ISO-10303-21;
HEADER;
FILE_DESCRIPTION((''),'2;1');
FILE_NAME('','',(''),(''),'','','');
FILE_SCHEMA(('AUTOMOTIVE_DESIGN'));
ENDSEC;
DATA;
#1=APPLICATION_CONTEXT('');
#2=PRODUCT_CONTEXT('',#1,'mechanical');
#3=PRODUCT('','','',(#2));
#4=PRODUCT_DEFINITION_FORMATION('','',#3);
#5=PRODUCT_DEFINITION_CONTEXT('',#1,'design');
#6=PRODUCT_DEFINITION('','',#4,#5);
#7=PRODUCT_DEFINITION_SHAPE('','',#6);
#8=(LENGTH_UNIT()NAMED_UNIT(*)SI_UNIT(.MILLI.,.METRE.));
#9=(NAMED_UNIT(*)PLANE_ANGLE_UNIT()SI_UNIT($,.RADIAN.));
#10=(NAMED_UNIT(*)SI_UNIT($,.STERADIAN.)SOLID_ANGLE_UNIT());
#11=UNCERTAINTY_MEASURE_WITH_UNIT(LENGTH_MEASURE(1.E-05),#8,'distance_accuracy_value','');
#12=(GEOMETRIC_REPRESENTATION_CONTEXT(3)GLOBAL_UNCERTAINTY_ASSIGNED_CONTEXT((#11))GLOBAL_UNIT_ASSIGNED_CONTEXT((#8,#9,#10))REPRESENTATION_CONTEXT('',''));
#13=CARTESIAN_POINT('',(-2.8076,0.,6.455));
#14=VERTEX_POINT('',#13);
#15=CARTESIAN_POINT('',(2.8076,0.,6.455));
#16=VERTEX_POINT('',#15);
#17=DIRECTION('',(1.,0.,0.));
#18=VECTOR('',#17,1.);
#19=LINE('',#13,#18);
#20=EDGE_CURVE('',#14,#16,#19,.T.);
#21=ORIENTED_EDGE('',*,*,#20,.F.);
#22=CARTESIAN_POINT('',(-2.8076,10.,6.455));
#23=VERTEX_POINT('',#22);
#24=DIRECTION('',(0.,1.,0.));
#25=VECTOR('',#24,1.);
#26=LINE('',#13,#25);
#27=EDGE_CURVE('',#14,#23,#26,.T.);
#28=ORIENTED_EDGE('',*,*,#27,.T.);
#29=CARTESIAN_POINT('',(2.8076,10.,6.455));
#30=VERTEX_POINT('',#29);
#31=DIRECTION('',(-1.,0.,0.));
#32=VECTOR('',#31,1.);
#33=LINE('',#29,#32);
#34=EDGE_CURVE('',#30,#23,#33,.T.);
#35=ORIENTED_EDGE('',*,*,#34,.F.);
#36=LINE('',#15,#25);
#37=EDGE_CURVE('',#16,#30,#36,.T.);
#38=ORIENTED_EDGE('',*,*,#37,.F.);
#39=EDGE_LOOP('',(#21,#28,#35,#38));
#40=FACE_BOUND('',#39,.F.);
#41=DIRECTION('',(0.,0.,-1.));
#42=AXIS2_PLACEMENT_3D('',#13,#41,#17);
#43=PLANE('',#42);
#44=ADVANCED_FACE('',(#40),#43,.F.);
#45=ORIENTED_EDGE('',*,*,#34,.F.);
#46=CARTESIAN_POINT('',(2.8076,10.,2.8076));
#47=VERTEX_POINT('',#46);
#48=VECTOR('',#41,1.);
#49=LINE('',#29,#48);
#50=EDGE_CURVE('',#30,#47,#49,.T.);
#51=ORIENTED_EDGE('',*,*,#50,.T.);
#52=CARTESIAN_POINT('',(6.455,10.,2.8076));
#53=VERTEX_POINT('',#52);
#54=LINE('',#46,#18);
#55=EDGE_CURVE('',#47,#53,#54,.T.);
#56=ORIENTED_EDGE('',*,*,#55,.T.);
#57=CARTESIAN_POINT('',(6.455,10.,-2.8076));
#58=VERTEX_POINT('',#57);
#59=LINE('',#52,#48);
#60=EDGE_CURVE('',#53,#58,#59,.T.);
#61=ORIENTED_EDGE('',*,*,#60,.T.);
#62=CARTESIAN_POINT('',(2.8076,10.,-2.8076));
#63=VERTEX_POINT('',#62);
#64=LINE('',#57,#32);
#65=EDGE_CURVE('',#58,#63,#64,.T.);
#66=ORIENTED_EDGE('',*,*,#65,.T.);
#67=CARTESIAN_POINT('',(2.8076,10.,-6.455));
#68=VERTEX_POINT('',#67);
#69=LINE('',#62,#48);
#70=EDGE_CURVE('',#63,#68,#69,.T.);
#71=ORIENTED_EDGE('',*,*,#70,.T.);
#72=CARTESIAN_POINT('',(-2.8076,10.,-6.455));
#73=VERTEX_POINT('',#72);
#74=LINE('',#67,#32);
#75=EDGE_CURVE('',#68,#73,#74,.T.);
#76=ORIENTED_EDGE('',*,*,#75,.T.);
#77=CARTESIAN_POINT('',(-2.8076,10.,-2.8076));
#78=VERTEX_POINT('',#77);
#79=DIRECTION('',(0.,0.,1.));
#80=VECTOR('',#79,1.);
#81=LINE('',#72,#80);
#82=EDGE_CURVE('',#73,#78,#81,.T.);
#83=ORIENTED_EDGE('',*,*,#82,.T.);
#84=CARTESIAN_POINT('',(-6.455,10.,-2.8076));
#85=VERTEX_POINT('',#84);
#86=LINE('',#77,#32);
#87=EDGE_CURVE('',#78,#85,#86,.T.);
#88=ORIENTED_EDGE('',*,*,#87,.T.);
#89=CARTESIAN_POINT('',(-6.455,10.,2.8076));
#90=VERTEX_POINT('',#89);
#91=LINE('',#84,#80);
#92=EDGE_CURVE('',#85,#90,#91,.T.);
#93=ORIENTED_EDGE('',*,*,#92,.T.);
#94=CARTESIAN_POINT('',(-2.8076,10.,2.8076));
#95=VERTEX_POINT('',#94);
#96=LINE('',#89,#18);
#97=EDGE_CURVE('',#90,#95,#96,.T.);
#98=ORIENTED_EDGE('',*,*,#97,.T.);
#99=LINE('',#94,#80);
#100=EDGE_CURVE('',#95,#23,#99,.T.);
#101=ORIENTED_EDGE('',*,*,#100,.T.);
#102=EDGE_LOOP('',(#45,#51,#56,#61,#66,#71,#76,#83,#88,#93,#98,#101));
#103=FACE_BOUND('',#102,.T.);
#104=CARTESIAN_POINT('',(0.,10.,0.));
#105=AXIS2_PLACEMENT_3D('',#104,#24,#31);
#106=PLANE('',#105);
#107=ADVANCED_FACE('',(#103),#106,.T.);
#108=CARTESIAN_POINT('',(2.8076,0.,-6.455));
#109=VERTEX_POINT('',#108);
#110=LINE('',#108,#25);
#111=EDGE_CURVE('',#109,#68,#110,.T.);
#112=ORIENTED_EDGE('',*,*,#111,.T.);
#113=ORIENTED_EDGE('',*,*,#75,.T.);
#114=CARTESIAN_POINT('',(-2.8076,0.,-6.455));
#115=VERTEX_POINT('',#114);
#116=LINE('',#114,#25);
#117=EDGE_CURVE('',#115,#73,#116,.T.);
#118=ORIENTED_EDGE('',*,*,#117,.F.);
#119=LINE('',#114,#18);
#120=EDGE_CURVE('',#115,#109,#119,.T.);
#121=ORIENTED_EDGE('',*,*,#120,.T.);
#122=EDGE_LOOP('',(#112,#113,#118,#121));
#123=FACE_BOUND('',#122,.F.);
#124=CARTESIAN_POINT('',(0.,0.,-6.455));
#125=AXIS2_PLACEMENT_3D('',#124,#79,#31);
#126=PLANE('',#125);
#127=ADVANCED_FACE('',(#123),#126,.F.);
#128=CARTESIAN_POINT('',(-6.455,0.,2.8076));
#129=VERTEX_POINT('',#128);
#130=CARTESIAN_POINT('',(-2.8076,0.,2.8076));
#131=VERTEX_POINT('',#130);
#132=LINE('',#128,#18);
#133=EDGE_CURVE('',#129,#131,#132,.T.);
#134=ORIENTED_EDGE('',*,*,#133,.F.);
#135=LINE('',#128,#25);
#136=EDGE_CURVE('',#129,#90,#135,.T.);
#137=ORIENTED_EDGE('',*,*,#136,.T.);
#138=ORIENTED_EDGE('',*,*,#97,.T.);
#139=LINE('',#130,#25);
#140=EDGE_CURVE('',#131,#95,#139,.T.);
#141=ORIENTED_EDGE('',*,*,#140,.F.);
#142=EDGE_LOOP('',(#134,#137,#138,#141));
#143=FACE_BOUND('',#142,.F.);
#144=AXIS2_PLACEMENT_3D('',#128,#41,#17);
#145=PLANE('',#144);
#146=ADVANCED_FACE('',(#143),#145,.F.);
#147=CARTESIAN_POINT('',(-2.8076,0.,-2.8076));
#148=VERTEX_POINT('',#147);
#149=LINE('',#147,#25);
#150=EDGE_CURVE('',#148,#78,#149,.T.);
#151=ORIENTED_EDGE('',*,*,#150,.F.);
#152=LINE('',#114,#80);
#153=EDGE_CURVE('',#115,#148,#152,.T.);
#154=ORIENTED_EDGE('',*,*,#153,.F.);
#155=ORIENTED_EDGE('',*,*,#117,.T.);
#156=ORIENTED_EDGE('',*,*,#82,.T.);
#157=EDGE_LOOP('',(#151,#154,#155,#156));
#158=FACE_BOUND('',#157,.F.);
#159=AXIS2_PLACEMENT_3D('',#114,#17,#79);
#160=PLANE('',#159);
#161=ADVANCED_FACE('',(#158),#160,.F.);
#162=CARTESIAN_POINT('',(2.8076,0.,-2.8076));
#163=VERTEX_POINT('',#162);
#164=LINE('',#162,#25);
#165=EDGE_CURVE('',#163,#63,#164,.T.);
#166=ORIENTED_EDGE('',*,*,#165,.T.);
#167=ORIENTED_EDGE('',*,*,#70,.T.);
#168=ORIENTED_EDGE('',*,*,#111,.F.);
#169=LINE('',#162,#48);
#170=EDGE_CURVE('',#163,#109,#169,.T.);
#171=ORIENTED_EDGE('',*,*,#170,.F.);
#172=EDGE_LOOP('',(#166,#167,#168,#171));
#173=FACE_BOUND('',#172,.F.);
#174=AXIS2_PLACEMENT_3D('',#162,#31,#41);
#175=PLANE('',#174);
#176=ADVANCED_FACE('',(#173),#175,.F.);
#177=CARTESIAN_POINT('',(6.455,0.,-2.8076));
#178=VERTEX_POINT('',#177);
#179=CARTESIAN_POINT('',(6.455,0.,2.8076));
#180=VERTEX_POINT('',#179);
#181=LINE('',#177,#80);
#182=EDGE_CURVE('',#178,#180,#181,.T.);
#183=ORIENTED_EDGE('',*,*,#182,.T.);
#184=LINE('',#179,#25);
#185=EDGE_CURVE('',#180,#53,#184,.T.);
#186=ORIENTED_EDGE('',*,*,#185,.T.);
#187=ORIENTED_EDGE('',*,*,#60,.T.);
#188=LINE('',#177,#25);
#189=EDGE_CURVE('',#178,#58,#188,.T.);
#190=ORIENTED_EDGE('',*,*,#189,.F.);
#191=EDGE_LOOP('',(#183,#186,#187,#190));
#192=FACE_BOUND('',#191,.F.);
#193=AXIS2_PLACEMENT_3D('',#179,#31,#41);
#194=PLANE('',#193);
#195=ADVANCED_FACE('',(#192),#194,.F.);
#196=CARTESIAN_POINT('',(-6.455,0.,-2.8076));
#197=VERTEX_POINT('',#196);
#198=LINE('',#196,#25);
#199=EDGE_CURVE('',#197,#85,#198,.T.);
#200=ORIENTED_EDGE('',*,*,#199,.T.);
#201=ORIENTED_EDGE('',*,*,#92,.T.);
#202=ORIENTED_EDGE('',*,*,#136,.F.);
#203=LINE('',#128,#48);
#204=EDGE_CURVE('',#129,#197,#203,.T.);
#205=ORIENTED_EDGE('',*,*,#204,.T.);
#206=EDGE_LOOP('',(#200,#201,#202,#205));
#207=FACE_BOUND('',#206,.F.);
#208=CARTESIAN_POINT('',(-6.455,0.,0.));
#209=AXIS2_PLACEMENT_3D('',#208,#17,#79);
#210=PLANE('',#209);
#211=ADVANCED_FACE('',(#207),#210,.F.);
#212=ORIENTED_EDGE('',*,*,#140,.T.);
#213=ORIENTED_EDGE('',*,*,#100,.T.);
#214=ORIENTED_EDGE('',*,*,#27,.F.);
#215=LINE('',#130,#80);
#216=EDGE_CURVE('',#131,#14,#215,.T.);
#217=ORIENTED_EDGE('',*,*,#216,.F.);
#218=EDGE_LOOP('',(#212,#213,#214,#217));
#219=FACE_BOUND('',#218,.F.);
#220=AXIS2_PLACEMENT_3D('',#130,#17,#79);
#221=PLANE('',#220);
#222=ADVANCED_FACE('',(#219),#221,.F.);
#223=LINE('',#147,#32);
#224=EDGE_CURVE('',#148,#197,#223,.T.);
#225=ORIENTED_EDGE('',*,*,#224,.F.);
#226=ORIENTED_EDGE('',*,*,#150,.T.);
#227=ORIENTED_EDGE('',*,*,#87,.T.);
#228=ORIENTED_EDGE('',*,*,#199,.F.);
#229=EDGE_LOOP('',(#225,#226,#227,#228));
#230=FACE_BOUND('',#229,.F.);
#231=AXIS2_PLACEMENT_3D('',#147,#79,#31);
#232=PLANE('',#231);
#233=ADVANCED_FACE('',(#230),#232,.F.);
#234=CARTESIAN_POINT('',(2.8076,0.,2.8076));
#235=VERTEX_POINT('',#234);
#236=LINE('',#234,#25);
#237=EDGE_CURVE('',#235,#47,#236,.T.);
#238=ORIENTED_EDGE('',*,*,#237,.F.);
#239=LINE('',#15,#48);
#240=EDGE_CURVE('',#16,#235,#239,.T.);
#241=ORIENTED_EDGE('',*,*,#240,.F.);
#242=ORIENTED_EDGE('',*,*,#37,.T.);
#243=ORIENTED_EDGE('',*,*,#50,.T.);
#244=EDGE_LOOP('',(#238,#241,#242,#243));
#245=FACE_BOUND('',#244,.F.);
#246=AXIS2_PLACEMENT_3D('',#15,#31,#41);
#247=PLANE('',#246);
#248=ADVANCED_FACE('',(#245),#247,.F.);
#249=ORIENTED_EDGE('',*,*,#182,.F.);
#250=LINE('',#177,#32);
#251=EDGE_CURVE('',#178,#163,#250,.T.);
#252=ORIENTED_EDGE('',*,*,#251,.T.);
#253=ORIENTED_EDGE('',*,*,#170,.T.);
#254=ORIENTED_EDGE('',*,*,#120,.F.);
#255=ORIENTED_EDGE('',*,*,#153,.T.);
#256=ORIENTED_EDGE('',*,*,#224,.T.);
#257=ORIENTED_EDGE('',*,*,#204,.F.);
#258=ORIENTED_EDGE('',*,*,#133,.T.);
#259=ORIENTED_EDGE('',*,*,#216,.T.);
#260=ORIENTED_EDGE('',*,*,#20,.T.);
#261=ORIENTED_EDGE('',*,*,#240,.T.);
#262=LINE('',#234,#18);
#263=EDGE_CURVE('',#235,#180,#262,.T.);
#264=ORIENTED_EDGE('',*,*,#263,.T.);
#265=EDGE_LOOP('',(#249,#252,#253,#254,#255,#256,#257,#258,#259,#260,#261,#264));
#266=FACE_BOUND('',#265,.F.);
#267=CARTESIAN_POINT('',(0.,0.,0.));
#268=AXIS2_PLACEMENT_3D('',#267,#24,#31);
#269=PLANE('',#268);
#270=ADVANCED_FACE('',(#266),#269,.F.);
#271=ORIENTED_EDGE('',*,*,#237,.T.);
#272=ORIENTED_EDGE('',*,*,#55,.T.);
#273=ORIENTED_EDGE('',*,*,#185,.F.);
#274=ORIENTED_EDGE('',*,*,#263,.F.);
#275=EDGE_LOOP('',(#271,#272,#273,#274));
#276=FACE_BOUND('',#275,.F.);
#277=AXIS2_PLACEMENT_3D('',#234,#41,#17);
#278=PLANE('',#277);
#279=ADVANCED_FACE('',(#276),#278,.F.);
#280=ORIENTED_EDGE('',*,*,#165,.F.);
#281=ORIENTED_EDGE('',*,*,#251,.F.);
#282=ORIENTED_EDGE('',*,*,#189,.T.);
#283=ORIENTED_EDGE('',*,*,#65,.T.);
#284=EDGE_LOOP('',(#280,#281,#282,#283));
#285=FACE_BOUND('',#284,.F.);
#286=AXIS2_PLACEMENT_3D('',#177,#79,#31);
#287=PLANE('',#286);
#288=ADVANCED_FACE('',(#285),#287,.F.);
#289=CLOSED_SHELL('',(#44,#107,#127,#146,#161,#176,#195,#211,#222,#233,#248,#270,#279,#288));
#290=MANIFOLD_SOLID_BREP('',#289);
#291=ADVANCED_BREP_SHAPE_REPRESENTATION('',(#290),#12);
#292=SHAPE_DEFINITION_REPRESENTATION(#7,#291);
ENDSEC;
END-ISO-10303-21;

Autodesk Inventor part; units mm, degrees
ref_plane "YZ Plane" through (0, 0, 0) normal (1, 0, 0) x (0, 1, 0)
ref_plane "XZ Plane" through (0, 0, 0) normal (0, 1, 0) x (-1, 0, 0)
ref_plane "XY Plane" through (0, 0, 0) normal (0, 0, 1) x (1, 0, 0)
sketch "Sketch1" plane through (0, 0, 0) normal (0, 1, 0) x (-1, 0, 0)
  line L0 (0, 0) -> (6.455, 0)
  line L1 (6.455, 0) -> (6.455, 2.8076)
  line L2 (6.455, 2.8076) -> (2.8076, 2.8076)
  line L3 (2.8076, 2.8076) -> (2.8076, 6.455)
  line L4 (2.8076, 6.455) -> (0, 6.455)
  line L5 (0, 6.455) -> (0, 0)
  line L6 (0, 6.455) -> (-2.8076, 6.455)
  line L7 (-2.8076, 6.455) -> (-2.8076, 2.8076)
  line L8 (-2.8076, 2.8076) -> (-6.455, 2.8076)
  line L9 (-6.455, 2.8076) -> (-6.455, 0)
  line L10 (-6.455, 0) -> (0, 0)
  line L11 (0, 0) -> (0, 6.455)
  line L12 (-6.455, 0) -> (-6.455, -2.8076)
  line L13 (-6.455, -2.8076) -> (-2.8076, -2.8076)
  line L14 (-2.8076, -2.8076) -> (-2.8076, -6.455)
  line L15 (-2.8076, -6.455) -> (0, -6.455)
  line L16 (0, -6.455) -> (0, 0)
  line L17 (0, 0) -> (-6.455, 0)
  line L18 (0, -6.455) -> (2.8076, -6.455)
  line L19 (2.8076, -6.455) -> (2.8076, -2.8076)
  line L20 (2.8076, -2.8076) -> (6.455, -2.8076)
  line L21 (6.455, -2.8076) -> (6.455, 0)
  line L22 (6.455, 0) -> (0, 0)
  line L23 (0, 0) -> (0, -6.455)
  dimension "d2" = 360
extrude "Extrusion1" add sketch "Sketch1" along normal blind 10
properties part number "vertibrae to pelvis connector"
